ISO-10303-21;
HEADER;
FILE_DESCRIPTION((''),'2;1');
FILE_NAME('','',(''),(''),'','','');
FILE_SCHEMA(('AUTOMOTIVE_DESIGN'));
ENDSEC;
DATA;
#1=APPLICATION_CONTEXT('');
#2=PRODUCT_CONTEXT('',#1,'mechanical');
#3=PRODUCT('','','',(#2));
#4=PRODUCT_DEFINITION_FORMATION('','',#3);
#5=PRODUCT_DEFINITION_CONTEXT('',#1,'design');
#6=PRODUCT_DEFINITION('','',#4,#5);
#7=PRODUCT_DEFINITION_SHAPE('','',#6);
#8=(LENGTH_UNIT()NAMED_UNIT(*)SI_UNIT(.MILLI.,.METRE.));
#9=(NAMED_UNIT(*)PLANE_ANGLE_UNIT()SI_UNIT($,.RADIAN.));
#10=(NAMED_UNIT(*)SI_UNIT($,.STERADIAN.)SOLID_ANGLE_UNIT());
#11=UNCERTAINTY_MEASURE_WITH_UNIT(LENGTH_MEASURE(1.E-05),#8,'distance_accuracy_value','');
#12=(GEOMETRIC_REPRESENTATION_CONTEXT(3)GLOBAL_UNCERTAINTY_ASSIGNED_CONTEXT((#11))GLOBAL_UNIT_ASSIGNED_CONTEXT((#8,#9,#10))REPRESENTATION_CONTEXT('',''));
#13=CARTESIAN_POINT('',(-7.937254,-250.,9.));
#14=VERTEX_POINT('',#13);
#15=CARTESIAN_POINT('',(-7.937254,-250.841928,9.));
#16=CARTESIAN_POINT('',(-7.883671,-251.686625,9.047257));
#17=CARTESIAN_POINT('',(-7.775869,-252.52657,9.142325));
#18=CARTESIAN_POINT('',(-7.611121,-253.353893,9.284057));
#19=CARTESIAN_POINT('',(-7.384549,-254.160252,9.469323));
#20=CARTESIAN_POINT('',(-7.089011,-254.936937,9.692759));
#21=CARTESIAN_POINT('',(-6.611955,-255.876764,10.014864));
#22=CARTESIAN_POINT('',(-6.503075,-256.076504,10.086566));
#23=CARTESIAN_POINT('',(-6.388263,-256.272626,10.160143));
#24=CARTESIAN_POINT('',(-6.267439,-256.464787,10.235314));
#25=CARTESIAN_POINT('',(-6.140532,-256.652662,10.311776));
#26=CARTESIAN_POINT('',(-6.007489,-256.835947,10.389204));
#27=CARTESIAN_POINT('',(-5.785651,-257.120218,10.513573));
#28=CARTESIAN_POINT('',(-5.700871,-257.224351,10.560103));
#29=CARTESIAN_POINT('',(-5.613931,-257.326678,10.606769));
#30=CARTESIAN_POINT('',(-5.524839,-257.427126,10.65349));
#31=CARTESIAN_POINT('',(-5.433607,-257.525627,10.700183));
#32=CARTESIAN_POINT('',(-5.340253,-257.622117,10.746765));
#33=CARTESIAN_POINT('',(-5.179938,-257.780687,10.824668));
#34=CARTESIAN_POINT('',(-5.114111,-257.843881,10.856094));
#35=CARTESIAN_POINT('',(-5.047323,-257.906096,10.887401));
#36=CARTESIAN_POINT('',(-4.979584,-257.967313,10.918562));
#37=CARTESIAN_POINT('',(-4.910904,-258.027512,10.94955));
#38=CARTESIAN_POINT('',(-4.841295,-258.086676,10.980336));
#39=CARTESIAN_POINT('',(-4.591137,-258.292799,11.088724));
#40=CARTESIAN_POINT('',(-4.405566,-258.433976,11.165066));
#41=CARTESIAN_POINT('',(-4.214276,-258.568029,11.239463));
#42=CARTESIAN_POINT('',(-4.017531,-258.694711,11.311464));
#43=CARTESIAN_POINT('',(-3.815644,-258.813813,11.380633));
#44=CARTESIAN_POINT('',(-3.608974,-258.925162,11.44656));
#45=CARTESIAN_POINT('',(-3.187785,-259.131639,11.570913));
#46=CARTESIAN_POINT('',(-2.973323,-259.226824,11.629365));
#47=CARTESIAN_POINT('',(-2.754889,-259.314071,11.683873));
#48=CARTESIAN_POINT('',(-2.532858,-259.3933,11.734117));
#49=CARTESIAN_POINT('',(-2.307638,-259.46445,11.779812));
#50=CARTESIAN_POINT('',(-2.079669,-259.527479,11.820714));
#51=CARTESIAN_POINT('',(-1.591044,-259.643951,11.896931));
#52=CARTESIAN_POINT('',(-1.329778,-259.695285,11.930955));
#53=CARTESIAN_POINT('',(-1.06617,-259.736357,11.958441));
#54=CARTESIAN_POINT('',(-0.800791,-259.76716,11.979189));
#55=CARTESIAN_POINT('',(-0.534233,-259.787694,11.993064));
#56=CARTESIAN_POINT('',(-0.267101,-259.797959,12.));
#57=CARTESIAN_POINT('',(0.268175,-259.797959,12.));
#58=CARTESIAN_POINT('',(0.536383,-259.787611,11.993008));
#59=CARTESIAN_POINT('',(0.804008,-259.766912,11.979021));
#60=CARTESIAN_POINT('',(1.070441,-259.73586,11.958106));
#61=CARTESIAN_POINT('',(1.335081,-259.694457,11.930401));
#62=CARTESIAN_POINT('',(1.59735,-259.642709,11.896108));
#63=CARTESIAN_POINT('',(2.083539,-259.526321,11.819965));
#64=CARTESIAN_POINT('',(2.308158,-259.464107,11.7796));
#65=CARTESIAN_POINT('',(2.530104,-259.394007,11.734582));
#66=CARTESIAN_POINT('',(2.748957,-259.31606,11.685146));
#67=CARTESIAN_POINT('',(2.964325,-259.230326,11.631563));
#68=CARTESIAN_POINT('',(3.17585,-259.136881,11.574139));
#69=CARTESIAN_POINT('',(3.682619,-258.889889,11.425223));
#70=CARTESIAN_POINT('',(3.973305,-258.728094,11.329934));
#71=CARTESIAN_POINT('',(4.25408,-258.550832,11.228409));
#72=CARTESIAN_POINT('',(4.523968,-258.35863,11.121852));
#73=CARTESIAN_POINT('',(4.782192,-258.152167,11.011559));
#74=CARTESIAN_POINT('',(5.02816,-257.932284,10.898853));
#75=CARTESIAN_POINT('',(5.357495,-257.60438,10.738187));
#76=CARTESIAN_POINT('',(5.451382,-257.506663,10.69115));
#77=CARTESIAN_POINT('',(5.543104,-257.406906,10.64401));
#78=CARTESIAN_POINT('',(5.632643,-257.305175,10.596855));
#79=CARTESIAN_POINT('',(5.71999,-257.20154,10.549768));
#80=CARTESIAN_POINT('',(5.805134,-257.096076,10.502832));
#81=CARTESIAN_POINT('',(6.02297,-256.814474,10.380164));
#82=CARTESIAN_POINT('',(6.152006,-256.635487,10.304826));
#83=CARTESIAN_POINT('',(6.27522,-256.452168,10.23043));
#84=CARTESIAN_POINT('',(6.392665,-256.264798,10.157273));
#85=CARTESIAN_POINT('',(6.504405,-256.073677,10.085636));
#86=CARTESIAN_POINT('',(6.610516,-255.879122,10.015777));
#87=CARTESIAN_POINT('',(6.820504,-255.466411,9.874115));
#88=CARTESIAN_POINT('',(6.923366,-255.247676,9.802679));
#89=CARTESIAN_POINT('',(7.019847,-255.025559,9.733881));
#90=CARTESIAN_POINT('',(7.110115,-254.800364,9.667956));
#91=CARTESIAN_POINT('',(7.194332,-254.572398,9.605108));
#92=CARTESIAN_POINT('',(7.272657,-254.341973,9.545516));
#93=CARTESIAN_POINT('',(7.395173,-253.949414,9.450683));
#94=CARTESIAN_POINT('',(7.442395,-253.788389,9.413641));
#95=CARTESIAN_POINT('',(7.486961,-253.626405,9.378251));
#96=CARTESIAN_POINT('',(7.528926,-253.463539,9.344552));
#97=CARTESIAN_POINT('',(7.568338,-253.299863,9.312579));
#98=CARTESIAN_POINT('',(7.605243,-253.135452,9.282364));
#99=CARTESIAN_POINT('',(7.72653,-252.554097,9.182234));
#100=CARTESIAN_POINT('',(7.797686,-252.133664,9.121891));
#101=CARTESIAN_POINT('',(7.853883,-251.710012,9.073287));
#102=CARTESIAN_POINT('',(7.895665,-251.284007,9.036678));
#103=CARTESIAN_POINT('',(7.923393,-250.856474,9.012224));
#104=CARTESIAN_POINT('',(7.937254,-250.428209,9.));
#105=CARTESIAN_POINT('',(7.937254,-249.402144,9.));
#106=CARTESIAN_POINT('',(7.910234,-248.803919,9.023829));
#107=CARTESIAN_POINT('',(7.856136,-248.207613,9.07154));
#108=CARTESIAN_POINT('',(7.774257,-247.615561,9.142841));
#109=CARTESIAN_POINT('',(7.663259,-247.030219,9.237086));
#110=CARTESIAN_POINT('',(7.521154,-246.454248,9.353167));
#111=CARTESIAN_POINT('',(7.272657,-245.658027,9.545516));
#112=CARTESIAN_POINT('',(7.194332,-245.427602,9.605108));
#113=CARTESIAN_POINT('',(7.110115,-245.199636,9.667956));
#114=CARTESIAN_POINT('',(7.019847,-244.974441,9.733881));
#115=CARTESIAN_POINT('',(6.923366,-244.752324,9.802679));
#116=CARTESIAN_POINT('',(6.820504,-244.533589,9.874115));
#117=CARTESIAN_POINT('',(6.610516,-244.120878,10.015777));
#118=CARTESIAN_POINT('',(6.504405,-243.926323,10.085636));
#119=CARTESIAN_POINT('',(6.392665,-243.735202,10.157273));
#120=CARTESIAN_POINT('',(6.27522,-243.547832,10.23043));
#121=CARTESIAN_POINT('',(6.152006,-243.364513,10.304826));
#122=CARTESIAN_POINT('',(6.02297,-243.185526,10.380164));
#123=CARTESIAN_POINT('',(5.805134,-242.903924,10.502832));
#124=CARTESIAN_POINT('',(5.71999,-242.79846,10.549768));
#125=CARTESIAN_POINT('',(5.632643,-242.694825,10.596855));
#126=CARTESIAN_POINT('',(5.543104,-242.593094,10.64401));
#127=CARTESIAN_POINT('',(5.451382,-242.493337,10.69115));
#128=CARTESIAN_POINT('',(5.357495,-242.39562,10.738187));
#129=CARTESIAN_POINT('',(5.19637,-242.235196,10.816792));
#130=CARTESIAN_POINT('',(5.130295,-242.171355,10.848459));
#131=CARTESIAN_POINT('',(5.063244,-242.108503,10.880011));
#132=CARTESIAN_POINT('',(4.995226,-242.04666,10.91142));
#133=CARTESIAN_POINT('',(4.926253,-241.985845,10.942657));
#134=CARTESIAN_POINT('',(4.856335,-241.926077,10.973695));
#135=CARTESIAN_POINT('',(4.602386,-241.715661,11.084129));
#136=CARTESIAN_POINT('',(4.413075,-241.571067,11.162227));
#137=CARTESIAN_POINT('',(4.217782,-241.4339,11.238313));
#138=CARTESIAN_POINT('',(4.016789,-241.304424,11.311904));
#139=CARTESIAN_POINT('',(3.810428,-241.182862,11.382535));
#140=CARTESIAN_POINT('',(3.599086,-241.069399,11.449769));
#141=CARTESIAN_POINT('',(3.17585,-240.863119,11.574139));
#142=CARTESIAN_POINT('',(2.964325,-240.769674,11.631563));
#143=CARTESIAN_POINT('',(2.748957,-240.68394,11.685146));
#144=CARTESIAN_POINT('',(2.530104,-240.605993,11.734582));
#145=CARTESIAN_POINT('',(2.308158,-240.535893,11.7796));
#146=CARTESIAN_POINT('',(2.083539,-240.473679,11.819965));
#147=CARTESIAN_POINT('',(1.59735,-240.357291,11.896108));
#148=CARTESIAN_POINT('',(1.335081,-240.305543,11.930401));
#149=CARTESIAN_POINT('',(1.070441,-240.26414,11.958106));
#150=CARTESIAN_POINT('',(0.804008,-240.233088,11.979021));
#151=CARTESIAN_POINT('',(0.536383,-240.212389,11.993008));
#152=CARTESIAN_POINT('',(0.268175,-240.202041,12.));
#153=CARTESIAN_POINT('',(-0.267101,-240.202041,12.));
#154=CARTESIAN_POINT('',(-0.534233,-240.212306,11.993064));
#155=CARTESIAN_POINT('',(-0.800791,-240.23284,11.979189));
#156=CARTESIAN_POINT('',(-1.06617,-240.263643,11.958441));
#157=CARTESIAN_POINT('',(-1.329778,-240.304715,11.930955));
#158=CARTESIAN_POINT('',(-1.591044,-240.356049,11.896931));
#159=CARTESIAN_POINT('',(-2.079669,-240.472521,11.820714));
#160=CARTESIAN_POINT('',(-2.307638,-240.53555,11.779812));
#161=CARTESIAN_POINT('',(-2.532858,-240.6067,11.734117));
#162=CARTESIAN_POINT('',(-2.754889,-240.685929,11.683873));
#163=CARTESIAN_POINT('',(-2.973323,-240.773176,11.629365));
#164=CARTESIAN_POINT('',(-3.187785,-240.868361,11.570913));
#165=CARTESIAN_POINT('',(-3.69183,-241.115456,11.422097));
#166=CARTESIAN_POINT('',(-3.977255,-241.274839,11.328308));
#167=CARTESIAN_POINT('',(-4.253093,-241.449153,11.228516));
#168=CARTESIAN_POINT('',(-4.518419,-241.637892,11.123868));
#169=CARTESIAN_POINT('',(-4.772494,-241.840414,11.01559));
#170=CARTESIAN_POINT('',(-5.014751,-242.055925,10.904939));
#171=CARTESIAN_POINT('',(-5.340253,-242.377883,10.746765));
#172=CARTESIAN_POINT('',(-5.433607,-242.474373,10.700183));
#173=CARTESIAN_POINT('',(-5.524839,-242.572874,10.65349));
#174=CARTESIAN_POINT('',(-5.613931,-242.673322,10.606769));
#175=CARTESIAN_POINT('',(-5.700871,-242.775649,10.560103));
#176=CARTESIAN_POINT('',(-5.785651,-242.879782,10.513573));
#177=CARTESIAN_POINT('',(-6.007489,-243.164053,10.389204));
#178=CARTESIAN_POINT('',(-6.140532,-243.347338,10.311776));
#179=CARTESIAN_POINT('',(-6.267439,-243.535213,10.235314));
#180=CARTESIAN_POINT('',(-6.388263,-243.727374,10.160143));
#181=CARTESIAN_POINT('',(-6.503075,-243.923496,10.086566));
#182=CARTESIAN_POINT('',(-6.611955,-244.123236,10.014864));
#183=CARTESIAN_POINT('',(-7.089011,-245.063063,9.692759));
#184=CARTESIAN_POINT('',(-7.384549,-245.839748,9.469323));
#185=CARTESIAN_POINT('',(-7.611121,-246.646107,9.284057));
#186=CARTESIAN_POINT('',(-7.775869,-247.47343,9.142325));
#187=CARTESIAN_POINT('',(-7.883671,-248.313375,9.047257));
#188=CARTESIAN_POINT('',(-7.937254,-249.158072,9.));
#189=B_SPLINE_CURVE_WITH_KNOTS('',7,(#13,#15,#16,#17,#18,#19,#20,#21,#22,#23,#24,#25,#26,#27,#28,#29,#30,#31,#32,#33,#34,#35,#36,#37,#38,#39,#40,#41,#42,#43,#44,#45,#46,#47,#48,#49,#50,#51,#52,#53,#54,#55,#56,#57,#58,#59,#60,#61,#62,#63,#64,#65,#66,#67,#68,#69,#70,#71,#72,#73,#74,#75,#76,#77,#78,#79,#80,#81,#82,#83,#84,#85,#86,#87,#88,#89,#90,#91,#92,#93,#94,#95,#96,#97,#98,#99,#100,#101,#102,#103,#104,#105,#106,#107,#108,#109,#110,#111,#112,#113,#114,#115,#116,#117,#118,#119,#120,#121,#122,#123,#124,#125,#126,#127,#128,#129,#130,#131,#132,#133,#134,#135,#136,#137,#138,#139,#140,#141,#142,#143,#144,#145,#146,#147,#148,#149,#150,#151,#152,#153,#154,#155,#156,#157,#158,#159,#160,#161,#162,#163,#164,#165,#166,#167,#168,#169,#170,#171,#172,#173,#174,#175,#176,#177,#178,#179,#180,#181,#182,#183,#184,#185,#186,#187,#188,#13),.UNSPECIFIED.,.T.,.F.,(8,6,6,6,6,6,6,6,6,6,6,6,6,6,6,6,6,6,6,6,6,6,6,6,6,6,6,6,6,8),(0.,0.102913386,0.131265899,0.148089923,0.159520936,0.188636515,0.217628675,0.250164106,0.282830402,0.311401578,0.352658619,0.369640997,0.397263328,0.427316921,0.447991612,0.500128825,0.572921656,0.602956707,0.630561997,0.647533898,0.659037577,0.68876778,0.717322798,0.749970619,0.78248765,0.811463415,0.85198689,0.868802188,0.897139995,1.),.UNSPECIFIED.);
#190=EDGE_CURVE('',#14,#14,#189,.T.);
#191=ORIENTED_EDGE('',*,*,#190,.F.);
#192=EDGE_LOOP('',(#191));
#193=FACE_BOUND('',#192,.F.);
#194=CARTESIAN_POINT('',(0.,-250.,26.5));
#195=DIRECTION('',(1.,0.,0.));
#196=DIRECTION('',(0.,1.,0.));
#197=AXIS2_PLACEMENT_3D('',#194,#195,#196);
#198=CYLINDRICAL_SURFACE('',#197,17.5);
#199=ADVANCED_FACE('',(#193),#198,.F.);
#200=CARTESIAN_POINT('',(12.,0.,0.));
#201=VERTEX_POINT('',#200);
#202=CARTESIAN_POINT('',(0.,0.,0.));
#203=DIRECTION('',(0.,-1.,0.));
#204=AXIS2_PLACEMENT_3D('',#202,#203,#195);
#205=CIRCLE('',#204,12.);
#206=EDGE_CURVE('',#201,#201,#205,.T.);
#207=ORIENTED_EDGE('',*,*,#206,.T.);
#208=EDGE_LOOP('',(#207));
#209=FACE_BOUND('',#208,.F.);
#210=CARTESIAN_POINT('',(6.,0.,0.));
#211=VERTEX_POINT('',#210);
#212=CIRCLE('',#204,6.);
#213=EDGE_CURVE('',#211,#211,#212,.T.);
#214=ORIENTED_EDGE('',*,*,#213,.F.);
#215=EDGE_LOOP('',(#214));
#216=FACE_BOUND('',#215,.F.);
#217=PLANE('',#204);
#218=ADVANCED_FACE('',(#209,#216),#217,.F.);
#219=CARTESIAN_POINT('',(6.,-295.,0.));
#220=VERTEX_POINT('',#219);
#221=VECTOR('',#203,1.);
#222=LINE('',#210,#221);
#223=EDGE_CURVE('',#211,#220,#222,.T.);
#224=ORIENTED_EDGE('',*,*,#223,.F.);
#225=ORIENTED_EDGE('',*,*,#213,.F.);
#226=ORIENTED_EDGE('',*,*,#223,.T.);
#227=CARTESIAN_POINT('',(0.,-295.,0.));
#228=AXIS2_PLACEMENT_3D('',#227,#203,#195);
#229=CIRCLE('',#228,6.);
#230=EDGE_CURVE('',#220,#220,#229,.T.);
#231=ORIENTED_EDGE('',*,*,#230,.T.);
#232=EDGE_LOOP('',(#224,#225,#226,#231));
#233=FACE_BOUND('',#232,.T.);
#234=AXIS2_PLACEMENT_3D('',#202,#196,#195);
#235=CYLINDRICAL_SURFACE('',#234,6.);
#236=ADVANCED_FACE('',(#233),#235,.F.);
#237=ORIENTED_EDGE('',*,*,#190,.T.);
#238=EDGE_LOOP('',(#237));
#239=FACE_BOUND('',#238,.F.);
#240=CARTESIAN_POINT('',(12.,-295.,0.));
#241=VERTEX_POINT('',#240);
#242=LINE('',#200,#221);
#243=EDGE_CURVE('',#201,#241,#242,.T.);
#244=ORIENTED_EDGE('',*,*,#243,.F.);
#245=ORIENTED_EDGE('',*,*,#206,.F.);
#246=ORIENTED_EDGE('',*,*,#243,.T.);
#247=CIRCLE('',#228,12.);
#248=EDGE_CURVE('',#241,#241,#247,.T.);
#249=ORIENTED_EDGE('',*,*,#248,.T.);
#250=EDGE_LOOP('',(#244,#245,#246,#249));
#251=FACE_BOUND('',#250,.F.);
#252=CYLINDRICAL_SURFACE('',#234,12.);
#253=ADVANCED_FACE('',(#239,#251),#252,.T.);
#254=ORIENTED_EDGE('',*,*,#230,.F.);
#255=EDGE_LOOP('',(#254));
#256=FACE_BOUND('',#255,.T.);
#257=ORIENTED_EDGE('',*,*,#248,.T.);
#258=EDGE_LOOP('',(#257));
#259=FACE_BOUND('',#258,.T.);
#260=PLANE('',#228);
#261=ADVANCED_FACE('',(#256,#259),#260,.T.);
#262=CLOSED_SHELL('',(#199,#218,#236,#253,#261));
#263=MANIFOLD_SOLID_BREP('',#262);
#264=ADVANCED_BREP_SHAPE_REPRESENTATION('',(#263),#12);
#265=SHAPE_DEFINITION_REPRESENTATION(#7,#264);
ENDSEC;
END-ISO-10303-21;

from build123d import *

# Parameters (mm, degrees)
F0_R     = 12
F0_R_2   = 6
F1_DEPTH = 295
F3_R     = 17.5
F4_DEPTH = 12.5


with BuildPart() as f1:
    # F0 (on Front) → F1 (new body)
    with BuildSketch(Plane.XZ):
        Circle(F0_R)
        Circle(F0_R_2, mode=Mode.SUBTRACT)
    extrude(amount=F1_DEPTH)

    # F3 (on Right) → F4 (cut, symmetric)
    with BuildSketch(Plane.YZ):
        with Locations((-250, 26.5)):
            Circle(F3_R)
    extrude(amount=F4_DEPTH, both=True, mode=Mode.SUBTRACT)


solid = f1.part
